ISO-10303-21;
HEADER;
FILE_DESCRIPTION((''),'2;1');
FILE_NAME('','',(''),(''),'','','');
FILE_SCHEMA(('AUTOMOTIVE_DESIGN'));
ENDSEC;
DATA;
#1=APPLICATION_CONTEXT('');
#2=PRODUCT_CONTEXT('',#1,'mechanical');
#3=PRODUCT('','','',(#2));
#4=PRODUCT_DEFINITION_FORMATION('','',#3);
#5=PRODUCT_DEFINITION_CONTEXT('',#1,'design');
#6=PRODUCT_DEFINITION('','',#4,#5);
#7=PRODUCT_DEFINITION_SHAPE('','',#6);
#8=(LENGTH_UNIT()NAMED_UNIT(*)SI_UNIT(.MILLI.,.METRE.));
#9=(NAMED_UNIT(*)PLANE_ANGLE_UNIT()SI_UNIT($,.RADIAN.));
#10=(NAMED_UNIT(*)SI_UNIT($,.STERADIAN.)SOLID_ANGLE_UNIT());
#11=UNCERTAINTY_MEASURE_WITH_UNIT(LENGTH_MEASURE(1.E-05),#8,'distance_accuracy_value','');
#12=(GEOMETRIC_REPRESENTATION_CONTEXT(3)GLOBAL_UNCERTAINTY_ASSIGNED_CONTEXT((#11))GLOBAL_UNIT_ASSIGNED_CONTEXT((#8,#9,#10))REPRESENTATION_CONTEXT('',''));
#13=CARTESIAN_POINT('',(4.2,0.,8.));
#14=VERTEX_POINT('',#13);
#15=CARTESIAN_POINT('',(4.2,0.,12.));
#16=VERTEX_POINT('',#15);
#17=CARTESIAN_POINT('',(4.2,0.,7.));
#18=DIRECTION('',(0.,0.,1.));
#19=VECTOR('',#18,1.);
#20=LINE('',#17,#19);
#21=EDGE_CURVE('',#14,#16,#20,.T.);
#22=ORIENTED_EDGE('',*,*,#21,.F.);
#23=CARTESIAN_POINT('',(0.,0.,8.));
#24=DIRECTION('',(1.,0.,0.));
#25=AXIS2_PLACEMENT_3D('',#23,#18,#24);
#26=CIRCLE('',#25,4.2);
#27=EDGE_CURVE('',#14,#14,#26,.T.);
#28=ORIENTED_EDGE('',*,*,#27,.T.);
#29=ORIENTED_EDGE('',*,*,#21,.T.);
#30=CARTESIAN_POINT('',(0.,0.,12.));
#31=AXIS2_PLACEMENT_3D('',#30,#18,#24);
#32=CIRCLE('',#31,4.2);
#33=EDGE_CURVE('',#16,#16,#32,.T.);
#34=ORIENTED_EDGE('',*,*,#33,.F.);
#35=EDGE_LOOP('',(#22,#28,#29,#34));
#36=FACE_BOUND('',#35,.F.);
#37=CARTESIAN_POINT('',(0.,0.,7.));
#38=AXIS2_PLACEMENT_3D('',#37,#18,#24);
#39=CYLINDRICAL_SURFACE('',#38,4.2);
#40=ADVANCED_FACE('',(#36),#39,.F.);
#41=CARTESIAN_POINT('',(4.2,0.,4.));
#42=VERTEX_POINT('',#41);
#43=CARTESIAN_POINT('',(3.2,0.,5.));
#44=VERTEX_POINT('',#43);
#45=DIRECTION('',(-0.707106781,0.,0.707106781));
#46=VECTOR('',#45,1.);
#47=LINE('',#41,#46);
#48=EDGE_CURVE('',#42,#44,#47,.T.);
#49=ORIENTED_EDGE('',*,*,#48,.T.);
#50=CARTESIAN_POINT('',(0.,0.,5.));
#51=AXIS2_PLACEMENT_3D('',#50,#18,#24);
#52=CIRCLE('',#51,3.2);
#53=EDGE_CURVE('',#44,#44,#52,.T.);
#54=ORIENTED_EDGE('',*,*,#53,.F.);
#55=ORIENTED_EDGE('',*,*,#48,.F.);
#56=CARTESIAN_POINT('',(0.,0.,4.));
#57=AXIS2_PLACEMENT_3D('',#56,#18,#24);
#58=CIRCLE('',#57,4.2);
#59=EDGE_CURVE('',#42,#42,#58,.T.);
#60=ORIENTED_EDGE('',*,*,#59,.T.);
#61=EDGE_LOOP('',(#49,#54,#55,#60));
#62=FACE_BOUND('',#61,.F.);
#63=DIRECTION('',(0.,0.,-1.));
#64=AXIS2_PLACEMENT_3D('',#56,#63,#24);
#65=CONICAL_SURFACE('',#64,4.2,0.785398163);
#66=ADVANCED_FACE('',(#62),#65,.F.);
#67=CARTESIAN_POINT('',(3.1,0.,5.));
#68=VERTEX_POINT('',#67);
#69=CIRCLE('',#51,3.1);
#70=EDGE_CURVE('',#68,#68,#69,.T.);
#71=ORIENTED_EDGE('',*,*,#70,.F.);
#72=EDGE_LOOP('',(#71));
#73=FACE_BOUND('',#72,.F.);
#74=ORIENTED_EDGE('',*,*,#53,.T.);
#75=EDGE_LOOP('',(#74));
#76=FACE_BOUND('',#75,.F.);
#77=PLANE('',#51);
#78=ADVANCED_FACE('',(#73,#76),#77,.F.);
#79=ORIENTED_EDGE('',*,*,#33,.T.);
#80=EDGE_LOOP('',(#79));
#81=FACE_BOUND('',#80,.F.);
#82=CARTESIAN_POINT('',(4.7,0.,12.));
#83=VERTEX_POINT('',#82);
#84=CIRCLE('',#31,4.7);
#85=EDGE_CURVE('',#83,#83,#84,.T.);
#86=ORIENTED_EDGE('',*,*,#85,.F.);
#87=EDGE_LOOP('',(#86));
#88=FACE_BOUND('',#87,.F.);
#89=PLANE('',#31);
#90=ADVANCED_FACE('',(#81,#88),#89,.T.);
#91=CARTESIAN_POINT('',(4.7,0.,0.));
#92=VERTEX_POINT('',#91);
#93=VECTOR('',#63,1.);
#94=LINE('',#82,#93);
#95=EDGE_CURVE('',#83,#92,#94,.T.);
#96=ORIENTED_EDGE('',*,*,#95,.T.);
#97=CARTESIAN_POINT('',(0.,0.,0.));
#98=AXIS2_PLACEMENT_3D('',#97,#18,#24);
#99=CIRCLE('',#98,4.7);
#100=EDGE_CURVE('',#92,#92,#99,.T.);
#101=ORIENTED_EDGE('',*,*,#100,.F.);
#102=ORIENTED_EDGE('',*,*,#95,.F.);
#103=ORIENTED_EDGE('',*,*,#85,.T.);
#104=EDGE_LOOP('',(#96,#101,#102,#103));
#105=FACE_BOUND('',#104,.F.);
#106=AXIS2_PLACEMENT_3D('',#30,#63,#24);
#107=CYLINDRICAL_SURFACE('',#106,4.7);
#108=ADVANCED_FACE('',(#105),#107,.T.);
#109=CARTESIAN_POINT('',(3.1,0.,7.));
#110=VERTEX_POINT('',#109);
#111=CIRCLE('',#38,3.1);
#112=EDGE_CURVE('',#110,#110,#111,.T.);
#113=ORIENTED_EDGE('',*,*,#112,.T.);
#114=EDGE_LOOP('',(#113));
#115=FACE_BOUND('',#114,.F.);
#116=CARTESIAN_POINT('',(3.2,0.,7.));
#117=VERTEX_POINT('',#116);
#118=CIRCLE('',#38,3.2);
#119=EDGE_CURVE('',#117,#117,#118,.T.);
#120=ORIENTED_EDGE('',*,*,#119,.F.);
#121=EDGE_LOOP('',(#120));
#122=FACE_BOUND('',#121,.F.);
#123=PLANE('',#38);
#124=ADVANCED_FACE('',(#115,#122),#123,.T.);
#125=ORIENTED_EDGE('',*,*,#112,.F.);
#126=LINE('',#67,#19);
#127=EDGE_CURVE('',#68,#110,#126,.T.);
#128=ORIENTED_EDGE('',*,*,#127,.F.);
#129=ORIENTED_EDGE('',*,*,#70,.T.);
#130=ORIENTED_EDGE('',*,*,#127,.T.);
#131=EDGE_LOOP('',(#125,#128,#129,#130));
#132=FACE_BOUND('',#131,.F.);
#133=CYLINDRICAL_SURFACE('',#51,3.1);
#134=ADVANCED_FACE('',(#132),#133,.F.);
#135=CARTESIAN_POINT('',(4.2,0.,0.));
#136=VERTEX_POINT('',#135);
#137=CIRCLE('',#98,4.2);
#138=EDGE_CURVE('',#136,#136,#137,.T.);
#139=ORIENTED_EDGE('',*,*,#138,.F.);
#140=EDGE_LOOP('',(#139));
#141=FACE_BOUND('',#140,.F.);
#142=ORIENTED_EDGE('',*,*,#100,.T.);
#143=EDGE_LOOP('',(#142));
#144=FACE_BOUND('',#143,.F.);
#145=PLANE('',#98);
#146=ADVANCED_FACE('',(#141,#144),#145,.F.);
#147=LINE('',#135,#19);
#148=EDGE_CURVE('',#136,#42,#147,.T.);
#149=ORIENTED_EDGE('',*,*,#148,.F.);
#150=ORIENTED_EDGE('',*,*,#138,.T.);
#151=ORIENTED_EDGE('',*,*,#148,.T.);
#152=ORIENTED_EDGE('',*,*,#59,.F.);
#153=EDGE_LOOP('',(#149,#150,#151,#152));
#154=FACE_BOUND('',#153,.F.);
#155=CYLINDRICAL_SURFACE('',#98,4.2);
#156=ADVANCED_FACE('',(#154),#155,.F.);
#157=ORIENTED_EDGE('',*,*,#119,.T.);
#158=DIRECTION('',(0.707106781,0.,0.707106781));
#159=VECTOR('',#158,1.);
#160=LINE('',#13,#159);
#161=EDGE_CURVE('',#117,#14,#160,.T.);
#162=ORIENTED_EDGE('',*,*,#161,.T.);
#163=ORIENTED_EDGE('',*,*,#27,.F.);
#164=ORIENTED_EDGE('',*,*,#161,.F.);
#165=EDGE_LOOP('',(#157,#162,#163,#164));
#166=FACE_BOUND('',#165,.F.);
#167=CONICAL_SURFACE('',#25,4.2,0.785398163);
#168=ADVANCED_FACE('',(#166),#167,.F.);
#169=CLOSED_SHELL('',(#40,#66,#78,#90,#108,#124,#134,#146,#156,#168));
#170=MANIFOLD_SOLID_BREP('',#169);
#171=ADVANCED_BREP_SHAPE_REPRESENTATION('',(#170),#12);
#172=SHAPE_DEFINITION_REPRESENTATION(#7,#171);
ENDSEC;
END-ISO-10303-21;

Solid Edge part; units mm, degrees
sketch "Sketch1" plane through (0, 0, 0) normal (0, -1, 0) x (1, 0, 0)
  line L0 (3.1, 7) -> (4.2, 7)
  line L1 (4.2, 7) -> (4.2, 12)
  line L2 (4.2, 12) -> (4.7, 12)
  line L3 (4.7, 12) -> (4.7, 0)
  line L4 (4.7, 0) -> (4.2, 0)
  line L5 (4.2, 0) -> (4.2, 5)
  line L6 (4.2, 5) -> (3.1, 5)
  line L7 (3.1, 5) -> (3.1, 7)
revolve "RevolvedProtrusion1" add sketch "Sketch1" angle 360 about axis through (0, 0, 0.6598) along (0, 0, 1)
chamfer "Chamfer1" distance 1 angle 45 2 edges at (-4.2, 0, 5) (-4.2, 0, 7)
